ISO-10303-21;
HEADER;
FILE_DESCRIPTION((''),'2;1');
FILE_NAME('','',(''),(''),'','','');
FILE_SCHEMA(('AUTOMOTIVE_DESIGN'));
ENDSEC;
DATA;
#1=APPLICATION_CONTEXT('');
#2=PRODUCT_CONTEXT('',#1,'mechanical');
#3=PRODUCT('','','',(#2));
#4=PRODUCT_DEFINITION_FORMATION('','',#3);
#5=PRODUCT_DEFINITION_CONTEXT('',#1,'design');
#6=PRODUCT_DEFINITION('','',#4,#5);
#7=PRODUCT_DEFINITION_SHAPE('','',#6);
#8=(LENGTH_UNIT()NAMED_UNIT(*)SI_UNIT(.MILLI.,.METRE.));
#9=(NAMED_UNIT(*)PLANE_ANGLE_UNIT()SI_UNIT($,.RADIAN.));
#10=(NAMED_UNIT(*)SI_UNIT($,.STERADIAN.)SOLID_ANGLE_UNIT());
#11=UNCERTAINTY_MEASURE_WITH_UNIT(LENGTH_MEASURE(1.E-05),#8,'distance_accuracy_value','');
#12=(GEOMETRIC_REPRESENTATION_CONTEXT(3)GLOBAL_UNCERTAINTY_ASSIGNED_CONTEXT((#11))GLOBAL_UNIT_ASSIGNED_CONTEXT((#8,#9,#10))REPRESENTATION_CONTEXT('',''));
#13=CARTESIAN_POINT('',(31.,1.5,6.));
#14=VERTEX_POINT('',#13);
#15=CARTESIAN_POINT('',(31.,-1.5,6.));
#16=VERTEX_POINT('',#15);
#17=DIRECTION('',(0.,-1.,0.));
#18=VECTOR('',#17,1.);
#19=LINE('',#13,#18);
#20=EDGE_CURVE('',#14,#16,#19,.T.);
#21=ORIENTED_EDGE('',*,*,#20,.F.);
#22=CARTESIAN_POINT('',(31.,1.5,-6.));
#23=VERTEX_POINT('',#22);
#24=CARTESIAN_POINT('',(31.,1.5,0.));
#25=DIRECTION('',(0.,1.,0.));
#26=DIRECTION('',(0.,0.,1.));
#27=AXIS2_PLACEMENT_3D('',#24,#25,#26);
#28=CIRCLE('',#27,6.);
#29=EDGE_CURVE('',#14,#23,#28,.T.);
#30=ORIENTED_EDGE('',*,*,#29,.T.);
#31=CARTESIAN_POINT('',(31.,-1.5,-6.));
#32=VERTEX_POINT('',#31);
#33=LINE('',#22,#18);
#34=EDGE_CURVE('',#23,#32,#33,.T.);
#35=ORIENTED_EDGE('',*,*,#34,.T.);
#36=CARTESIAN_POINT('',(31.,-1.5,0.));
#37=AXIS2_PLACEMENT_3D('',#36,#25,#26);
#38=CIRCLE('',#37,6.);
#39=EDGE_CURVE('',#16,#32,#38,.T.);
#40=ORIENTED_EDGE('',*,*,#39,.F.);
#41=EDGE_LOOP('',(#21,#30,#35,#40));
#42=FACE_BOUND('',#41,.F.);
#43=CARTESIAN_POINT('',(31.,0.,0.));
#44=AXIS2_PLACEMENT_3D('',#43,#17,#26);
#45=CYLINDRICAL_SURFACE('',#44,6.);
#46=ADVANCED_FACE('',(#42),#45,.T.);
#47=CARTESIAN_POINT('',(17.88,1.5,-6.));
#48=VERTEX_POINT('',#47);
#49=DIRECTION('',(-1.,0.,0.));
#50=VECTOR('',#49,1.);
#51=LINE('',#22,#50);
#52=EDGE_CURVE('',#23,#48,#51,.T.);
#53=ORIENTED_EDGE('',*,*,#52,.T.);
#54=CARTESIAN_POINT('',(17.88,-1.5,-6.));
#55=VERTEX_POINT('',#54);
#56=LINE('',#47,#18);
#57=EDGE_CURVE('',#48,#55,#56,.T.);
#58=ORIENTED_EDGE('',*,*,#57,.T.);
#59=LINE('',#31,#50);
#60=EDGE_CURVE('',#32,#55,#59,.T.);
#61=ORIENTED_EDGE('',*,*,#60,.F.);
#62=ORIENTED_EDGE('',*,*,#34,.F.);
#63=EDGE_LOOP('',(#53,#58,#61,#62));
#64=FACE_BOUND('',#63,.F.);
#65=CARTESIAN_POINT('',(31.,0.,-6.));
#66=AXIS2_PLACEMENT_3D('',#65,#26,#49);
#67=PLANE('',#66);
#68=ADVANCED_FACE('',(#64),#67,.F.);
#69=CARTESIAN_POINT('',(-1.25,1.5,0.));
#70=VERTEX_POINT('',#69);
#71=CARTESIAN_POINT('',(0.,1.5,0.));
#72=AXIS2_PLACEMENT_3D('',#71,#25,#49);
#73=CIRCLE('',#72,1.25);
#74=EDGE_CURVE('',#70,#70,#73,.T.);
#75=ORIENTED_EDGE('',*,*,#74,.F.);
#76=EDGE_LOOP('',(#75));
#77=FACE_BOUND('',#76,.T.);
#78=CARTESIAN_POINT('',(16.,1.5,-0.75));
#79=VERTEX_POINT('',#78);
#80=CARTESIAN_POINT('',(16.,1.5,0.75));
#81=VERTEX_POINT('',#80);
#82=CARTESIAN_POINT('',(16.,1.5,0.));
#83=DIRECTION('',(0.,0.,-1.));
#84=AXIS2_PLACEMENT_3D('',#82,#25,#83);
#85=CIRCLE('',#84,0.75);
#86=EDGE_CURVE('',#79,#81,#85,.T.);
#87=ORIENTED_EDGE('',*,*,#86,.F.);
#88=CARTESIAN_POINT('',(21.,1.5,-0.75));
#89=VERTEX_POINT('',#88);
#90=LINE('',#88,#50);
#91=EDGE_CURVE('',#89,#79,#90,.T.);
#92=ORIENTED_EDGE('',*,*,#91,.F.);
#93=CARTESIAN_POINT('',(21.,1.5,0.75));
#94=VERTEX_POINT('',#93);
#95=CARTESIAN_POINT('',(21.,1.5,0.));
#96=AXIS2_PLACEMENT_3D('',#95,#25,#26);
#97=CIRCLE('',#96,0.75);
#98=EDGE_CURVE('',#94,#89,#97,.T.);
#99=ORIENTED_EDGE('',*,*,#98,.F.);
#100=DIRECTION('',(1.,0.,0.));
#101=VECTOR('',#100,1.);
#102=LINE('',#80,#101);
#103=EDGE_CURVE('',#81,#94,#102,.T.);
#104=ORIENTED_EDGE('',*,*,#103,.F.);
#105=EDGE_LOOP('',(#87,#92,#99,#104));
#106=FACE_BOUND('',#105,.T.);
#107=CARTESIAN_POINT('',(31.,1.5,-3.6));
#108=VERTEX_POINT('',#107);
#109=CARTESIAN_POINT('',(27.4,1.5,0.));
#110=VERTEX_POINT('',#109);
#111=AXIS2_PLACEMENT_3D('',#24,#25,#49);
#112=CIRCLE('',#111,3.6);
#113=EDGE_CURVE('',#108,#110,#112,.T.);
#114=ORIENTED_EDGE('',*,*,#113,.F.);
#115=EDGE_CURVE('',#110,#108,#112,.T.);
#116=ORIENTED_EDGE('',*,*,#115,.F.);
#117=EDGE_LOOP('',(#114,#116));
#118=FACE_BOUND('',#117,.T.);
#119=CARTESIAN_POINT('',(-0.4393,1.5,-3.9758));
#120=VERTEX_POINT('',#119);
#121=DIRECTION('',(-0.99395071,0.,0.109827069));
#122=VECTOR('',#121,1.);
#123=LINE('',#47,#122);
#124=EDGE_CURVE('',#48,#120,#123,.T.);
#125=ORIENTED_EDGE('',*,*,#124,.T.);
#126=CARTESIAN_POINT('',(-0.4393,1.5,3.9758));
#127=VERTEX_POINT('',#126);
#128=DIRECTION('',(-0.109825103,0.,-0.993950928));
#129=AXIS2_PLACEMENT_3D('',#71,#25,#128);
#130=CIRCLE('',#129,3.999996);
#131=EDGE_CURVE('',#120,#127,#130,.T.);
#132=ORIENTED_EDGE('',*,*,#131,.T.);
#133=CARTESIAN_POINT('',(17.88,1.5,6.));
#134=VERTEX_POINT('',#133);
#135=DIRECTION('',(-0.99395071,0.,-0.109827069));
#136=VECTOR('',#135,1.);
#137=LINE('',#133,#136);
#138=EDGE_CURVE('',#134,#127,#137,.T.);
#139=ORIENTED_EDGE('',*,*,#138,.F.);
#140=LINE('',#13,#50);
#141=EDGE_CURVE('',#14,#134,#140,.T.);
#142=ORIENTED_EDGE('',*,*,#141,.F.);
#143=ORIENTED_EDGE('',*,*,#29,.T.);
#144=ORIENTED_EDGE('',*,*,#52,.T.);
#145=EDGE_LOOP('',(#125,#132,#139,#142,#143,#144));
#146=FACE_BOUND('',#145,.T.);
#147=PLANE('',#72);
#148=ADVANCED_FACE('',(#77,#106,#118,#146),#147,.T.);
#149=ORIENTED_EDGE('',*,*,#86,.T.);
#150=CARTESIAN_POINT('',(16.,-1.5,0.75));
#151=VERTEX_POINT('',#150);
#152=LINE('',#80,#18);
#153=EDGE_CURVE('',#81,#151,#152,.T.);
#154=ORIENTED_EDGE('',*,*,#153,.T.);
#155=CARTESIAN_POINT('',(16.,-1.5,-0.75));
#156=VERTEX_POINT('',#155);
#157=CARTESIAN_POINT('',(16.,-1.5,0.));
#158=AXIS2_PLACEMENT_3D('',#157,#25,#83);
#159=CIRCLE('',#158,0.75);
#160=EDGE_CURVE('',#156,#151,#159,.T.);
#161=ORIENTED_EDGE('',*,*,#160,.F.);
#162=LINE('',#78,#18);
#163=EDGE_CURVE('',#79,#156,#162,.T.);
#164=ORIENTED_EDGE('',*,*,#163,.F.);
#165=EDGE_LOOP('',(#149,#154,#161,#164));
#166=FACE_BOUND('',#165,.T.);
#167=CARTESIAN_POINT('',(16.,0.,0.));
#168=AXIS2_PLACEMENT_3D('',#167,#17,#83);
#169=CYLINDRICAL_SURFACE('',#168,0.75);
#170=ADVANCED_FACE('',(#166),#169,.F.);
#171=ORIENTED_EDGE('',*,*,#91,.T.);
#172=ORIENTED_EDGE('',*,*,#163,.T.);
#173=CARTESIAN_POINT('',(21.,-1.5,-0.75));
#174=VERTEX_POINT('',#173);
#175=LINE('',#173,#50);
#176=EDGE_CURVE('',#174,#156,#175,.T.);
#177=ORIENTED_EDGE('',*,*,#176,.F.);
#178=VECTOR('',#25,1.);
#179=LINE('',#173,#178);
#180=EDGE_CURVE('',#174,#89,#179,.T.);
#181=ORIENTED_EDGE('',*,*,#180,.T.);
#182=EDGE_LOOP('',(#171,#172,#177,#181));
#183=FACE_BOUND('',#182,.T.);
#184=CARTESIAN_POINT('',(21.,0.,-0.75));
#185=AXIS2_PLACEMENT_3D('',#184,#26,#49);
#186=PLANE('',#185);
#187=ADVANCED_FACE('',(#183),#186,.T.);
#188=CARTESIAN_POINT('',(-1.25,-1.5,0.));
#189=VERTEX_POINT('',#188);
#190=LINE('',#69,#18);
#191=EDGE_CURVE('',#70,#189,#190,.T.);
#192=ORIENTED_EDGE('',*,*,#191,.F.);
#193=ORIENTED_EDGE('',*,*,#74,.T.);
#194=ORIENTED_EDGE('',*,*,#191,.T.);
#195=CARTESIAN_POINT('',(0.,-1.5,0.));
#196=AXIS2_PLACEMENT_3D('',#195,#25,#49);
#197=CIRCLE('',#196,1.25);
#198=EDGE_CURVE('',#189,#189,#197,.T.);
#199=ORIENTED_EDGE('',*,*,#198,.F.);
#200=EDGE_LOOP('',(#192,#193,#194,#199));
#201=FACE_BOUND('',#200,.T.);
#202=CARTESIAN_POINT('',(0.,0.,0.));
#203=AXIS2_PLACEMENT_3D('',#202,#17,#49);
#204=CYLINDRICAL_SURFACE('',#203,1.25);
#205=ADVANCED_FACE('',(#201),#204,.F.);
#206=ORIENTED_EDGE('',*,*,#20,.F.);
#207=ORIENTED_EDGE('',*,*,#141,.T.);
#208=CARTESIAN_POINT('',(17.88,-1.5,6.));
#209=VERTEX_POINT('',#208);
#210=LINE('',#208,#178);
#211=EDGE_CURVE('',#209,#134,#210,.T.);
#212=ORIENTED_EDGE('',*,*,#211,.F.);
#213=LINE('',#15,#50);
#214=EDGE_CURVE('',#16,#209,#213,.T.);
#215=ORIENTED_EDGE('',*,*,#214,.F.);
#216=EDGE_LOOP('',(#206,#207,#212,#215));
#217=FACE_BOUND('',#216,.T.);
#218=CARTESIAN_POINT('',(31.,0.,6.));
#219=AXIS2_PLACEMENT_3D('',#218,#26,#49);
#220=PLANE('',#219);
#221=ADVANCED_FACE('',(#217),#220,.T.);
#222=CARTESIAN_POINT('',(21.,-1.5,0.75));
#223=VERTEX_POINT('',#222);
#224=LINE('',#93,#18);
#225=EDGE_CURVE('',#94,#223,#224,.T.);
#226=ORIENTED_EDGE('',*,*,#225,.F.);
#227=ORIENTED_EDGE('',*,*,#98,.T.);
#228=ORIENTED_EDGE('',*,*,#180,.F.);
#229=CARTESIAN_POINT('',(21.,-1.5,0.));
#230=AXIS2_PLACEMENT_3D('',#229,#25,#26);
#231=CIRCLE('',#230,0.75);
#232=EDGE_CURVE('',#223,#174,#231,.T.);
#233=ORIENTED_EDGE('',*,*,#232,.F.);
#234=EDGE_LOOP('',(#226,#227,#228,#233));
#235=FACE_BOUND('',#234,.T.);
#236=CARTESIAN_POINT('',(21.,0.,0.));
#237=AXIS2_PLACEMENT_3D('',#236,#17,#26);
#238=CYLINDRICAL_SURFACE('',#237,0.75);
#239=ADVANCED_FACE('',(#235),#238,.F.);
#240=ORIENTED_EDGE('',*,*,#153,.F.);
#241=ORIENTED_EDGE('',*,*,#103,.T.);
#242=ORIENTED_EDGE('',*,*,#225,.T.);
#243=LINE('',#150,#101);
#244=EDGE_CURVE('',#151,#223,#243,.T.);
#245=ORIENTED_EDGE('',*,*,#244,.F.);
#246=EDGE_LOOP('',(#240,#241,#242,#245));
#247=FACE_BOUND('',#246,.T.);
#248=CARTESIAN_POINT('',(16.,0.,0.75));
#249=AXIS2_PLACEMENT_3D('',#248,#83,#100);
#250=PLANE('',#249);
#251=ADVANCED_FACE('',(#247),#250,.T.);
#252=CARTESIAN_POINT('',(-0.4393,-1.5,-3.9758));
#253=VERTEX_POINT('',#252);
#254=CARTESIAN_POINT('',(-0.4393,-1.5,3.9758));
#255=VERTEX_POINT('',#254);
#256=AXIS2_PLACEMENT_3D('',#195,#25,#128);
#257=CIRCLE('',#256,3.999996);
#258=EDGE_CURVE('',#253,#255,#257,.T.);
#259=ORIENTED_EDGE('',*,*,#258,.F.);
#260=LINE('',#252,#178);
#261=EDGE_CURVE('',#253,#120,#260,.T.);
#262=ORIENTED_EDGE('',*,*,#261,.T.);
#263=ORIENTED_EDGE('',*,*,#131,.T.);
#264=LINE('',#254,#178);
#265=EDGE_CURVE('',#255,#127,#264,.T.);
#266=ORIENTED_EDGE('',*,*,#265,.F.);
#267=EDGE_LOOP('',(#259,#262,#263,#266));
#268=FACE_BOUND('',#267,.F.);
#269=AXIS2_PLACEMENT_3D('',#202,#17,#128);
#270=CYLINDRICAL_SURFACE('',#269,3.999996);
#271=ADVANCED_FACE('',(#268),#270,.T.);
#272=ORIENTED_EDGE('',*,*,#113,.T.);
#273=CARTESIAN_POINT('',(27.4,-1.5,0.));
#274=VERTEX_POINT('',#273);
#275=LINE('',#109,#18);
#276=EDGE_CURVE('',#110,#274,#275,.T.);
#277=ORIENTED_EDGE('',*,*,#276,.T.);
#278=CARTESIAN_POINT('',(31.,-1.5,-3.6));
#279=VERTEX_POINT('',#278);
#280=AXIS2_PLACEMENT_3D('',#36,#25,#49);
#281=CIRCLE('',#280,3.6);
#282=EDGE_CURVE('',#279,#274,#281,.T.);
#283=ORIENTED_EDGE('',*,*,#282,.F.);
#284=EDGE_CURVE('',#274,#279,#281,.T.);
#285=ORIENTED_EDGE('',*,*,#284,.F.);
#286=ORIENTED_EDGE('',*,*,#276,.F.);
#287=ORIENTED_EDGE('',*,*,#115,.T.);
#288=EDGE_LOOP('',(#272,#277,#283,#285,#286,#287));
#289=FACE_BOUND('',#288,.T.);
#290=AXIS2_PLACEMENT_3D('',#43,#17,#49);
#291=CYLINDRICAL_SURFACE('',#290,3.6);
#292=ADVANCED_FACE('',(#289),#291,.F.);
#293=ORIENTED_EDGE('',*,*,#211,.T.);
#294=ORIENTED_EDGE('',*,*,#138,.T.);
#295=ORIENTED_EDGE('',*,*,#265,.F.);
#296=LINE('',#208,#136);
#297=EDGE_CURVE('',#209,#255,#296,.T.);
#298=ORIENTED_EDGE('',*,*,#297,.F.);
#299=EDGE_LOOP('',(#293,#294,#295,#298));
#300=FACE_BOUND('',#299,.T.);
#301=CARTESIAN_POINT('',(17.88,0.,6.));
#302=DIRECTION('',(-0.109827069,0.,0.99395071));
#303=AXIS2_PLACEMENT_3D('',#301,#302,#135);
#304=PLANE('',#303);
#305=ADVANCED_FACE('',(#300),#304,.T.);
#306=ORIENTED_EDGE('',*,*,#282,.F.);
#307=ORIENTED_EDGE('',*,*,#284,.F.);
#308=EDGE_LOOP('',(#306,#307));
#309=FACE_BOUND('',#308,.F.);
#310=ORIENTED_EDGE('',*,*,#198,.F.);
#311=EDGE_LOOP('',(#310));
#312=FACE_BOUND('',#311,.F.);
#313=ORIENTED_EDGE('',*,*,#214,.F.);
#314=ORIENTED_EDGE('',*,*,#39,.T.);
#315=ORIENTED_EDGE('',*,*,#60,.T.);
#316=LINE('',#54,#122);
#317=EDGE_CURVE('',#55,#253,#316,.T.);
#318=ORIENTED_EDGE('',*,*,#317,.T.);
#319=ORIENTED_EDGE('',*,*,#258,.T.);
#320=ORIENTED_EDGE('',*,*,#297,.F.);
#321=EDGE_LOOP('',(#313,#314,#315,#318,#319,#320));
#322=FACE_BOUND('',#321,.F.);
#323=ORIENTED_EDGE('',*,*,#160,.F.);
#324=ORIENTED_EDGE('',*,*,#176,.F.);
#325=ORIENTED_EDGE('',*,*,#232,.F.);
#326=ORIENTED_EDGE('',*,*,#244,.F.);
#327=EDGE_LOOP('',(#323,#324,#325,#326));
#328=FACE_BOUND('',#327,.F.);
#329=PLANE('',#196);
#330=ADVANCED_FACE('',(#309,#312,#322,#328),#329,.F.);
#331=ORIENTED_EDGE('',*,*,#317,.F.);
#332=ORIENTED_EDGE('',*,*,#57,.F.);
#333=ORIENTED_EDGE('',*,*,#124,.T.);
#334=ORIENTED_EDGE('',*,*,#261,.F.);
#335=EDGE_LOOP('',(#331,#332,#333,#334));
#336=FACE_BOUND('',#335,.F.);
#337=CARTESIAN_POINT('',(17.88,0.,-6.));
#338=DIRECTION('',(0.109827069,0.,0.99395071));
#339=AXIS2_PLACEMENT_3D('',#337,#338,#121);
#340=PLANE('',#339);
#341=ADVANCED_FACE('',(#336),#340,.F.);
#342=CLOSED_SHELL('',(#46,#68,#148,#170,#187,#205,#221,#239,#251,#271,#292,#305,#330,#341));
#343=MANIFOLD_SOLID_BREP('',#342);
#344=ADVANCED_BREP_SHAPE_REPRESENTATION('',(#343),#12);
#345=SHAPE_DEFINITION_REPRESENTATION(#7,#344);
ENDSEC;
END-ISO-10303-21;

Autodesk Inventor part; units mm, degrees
ref_plane "YZ Plane" through (0, 0, 0) normal (1, 0, 0) x (0, 1, 0)
ref_plane "XZ Plane" through (0, 0, 0) normal (0, 1, 0) x (-1, 0, 0)
ref_plane "XY Plane" through (0, 0, 0) normal (0, 0, 1) x (1, 0, 0)
sketch "草圖1" plane through (0, 0, 0) normal (0, 1, 0) x (-1, 0, 0)
  circle A0 centre (0, 0) radius 1.25
  arc A1 (0.4393, -3.9758) -> (0.4393, 3.9758) centre (0, 0) ccw
  arc A2 (-31, 6) -> (-31, -6) centre (-31, 0) ccw
  circle A3 centre (-31, 0) radius 3.6
  line L0 (-31, 0) -> (-31, -6)
  line L1 (-31, -6) -> (-17.88, -6)
  line L2 (-17.88, -6) -> (0.4393, -3.9758)
  line L3 (-21, 0) -> (-16, 0) construction
  line L4 (-21, -0.75) -> (-16, -0.75)
  line L5 (-16, 0.75) -> (-21, 0.75)
  arc A4 (-21, 0.75) -> (-21, -0.75) centre (-21, 0) ccw
  arc A5 (-16, -0.75) -> (-16, 0.75) centre (-16, 0) ccw
  line L6 (-31, 6) -> (-17.88, 6)
  line L7 (-17.88, 6) -> (0.4393, 3.9758)
  point P0 (-18.5, 0)
  dimension "d0" = 2.5
  dimension "d1" = 8
  dimension "d3" = 12
  dimension "d4" = 7.2
  dimension "d5" = 13.12
  dimension "d6" = 10
  dimension "d7" = 5
  dimension "d8" = 1.5
extrude "擠出1" add sketch "草圖1" along normal mid plane 3
properties part number "小零件5"
